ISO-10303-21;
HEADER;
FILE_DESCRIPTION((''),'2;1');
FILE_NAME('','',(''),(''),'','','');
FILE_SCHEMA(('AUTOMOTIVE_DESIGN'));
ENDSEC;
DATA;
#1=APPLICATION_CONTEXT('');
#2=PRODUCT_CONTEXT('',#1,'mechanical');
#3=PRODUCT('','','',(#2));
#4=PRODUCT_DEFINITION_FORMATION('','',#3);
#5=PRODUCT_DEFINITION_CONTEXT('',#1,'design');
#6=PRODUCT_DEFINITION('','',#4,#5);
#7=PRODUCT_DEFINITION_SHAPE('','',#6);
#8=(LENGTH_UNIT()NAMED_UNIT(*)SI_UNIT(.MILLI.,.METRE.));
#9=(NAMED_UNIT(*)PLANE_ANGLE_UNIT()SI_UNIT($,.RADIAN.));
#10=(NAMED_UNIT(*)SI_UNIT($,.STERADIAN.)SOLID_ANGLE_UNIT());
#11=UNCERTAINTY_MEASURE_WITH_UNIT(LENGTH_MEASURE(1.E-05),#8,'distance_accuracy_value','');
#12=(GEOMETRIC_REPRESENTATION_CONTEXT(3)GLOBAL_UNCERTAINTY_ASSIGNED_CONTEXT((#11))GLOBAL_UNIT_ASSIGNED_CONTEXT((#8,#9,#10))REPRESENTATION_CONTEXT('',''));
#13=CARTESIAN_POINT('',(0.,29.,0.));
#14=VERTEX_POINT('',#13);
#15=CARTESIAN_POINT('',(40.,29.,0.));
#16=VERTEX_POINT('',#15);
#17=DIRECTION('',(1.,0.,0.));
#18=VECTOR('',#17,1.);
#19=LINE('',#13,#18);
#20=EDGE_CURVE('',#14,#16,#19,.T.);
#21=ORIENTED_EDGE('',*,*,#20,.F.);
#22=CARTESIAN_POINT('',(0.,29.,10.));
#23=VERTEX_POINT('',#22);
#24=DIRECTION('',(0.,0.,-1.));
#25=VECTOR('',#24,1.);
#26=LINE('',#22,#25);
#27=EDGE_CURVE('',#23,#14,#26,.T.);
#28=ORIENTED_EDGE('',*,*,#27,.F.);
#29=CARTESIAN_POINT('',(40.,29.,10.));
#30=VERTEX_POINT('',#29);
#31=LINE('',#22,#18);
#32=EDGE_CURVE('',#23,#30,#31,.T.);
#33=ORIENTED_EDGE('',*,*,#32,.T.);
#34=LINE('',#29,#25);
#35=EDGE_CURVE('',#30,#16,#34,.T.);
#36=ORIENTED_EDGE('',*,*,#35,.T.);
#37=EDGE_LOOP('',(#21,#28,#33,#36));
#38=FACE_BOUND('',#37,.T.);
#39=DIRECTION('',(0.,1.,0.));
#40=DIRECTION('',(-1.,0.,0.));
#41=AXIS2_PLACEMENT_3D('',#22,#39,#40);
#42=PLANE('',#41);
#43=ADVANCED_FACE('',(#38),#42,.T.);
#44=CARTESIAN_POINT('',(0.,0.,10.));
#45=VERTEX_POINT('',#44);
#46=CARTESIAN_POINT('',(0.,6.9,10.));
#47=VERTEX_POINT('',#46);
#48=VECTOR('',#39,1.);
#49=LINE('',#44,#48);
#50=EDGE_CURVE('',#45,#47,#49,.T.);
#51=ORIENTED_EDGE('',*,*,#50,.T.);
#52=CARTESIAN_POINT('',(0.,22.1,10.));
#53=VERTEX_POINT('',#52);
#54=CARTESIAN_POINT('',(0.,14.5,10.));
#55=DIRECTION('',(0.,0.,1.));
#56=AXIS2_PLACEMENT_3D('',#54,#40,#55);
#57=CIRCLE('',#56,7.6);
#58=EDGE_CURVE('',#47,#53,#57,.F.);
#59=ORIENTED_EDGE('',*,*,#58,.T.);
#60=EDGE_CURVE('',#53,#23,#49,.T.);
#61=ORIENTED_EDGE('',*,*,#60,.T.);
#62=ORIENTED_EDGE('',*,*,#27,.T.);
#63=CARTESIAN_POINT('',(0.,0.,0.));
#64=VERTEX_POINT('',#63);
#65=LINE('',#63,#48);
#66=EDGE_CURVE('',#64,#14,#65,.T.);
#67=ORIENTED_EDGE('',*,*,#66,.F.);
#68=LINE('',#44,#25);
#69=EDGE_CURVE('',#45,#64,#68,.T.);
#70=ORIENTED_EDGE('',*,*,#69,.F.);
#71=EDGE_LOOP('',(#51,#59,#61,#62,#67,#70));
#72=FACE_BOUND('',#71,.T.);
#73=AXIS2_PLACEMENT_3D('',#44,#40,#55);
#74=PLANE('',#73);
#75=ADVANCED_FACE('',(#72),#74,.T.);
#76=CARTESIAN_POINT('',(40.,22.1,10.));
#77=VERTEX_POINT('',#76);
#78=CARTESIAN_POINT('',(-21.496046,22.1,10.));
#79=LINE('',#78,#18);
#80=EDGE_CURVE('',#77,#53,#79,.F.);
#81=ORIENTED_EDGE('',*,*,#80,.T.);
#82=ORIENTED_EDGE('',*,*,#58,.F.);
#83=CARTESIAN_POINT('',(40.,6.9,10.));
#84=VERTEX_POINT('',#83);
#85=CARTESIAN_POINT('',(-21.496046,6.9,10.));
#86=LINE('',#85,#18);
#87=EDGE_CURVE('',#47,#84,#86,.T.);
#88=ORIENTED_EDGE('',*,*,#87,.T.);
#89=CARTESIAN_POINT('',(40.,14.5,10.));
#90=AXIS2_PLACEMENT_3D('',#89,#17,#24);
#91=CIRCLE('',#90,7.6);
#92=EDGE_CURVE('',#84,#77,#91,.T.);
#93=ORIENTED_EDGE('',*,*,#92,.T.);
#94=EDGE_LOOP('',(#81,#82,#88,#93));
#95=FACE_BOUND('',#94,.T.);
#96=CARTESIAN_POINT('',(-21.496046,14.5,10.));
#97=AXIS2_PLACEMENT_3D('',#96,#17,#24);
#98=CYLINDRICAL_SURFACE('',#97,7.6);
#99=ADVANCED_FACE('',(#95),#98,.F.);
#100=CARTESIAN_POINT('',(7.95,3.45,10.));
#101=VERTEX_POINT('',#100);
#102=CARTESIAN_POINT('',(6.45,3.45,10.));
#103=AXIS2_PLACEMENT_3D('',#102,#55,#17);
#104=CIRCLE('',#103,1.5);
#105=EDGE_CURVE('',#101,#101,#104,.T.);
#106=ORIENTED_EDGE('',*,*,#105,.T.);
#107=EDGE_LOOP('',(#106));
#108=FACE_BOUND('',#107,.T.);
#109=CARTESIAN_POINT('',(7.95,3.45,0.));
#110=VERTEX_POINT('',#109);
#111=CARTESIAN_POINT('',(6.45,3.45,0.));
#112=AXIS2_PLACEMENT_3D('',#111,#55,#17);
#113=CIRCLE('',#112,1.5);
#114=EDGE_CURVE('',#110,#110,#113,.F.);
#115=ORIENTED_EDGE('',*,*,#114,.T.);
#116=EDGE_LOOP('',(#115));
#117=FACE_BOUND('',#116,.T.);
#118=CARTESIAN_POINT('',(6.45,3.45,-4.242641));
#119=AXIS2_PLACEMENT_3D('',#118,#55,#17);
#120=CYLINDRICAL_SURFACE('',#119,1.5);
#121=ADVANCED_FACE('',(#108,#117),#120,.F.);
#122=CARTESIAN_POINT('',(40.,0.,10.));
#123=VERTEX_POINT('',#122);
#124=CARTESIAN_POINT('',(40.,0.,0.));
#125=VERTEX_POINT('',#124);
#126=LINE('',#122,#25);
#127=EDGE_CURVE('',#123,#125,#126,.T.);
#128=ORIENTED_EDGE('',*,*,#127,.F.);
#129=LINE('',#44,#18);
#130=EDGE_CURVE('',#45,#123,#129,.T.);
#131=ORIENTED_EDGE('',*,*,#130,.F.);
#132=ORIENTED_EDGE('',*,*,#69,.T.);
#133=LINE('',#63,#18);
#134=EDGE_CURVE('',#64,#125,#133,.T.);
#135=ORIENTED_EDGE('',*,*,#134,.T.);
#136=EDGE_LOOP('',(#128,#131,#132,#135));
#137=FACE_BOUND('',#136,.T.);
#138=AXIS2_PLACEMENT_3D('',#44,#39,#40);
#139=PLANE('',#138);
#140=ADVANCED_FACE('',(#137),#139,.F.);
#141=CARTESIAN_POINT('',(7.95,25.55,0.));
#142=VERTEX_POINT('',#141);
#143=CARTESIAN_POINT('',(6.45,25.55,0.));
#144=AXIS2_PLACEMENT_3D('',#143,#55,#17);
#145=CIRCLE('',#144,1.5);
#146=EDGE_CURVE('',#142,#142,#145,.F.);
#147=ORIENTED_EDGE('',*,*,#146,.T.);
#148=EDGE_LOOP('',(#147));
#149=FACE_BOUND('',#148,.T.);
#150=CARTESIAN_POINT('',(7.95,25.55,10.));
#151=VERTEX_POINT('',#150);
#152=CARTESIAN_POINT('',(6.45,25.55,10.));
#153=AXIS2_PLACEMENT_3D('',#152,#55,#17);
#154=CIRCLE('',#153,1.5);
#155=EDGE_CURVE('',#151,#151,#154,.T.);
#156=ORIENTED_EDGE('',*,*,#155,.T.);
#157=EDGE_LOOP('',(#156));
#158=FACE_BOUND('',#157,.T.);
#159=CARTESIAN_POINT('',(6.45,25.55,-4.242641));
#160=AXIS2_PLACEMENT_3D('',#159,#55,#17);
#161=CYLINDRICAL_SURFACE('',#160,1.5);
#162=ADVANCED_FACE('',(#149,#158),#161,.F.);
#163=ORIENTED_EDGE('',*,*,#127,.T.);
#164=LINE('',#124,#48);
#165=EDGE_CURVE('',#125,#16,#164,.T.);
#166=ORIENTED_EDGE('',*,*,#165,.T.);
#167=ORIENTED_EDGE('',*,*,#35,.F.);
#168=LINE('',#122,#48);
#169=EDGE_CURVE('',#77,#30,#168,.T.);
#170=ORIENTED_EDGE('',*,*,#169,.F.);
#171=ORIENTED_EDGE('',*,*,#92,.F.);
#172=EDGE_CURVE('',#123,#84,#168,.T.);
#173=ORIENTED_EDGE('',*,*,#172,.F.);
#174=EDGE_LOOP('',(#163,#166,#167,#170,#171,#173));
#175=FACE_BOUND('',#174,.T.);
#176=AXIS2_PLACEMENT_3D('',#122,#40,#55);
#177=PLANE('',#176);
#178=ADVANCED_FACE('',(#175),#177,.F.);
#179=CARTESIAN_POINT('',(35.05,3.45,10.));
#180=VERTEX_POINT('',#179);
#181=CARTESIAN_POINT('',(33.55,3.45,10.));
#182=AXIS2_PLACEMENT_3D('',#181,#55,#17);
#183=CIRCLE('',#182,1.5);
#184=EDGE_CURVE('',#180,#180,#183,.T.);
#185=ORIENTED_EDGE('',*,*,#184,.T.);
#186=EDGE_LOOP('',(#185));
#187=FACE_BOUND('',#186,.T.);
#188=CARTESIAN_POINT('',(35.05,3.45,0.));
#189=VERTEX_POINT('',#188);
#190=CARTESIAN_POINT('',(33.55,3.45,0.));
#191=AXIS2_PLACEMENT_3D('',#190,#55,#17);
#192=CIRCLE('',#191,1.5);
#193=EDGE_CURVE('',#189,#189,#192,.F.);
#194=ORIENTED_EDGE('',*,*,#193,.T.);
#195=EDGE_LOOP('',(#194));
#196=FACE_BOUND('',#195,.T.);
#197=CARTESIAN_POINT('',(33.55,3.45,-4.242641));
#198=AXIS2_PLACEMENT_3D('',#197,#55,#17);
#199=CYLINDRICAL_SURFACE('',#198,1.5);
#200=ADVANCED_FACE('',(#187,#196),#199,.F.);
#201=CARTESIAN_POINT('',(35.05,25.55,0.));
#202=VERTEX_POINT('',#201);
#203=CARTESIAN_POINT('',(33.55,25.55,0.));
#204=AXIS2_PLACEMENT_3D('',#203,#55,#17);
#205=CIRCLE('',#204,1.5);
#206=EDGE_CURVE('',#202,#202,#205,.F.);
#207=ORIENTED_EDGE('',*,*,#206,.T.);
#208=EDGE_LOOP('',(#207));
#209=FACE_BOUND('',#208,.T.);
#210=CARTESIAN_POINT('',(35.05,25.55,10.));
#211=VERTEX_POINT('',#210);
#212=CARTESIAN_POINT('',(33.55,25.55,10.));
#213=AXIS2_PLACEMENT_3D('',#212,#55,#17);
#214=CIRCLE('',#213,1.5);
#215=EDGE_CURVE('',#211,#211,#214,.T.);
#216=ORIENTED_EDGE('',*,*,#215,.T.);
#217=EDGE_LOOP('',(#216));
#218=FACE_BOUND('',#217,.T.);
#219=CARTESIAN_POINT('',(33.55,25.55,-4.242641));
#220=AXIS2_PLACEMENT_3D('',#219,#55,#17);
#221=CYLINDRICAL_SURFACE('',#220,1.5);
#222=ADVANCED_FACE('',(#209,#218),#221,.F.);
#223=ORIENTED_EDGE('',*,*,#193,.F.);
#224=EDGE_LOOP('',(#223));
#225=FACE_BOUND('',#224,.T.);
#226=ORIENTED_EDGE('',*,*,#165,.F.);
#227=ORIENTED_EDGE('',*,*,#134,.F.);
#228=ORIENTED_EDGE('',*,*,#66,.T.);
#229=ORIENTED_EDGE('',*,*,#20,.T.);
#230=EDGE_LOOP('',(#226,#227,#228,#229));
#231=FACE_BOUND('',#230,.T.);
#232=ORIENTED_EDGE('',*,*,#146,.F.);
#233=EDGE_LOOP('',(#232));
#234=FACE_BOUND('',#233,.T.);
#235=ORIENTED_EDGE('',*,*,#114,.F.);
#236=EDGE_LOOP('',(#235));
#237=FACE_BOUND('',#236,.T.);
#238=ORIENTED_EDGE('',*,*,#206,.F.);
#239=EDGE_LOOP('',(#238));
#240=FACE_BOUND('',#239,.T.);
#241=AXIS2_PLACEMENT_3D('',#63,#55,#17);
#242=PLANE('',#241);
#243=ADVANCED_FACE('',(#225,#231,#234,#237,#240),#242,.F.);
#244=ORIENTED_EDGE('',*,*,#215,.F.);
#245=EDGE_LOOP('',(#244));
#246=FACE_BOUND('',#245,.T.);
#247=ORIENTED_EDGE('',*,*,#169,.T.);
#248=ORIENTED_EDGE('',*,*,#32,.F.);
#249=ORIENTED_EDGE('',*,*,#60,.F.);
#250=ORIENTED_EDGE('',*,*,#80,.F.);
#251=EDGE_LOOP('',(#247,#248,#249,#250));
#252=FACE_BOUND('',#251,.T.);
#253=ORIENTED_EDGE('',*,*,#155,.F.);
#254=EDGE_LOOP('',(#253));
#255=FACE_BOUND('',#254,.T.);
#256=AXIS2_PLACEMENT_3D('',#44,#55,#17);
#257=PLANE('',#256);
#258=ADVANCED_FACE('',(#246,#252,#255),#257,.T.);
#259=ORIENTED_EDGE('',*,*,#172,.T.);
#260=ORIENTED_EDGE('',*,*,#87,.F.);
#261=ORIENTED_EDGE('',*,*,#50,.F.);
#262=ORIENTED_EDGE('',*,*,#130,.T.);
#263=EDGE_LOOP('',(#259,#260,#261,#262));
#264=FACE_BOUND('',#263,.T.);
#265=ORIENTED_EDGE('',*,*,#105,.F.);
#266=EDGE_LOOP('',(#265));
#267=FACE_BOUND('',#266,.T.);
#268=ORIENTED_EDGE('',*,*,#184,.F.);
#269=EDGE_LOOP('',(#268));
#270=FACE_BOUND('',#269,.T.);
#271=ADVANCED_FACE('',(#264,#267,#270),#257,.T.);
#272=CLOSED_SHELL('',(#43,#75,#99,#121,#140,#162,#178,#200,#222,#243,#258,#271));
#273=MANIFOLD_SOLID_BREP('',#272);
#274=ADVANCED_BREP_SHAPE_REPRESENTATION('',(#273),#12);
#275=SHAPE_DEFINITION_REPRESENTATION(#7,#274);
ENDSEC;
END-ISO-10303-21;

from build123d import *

# Parameters (mm, degrees)
SKETCH1_W           = 29
SKETCH1_H           = 40
BOSS_EXTRUDE1_DEPTH = 10
SKETCH2_R           = 7.6
CUT_EXTRUDE1_DEPTH  = 40
SKETCH3_R           = 1.5
CUT_EXTRUDE2_DEPTH  = 10


with BuildPart() as part:
    # Sketch1 → Boss-Extrude1 (new body)
    with BuildSketch(Plane(origin=(0, 0, 0), x_dir=(0, 1, 0), z_dir=(0, 0, 1))):
        with Locations((14.5, -20)):
            Rectangle(SKETCH1_W, SKETCH1_H)
    extrude(amount=BOSS_EXTRUDE1_DEPTH)

    # Sketch2 → Cut-Extrude1 (cut)
    with BuildSketch(Plane.YZ.offset(40)):
        with Locations((14.5, 10)):
            Circle(SKETCH2_R)
    extrude(amount=-CUT_EXTRUDE1_DEPTH, mode=Mode.SUBTRACT)

    # Sketch3 → Cut-Extrude2 (cut)
    with BuildSketch(Plane.XY.offset(10)):
        with Locations((6.45, 25.55)):
            Circle(SKETCH3_R)
        with Locations((33.55, 25.55)):
            Circle(SKETCH3_R)
        with Locations((33.55, 3.45)):
            Circle(SKETCH3_R)
        with Locations((6.45, 3.45)):
            Circle(SKETCH3_R)
    extrude(amount=-CUT_EXTRUDE2_DEPTH, mode=Mode.SUBTRACT)


solid = part.part
